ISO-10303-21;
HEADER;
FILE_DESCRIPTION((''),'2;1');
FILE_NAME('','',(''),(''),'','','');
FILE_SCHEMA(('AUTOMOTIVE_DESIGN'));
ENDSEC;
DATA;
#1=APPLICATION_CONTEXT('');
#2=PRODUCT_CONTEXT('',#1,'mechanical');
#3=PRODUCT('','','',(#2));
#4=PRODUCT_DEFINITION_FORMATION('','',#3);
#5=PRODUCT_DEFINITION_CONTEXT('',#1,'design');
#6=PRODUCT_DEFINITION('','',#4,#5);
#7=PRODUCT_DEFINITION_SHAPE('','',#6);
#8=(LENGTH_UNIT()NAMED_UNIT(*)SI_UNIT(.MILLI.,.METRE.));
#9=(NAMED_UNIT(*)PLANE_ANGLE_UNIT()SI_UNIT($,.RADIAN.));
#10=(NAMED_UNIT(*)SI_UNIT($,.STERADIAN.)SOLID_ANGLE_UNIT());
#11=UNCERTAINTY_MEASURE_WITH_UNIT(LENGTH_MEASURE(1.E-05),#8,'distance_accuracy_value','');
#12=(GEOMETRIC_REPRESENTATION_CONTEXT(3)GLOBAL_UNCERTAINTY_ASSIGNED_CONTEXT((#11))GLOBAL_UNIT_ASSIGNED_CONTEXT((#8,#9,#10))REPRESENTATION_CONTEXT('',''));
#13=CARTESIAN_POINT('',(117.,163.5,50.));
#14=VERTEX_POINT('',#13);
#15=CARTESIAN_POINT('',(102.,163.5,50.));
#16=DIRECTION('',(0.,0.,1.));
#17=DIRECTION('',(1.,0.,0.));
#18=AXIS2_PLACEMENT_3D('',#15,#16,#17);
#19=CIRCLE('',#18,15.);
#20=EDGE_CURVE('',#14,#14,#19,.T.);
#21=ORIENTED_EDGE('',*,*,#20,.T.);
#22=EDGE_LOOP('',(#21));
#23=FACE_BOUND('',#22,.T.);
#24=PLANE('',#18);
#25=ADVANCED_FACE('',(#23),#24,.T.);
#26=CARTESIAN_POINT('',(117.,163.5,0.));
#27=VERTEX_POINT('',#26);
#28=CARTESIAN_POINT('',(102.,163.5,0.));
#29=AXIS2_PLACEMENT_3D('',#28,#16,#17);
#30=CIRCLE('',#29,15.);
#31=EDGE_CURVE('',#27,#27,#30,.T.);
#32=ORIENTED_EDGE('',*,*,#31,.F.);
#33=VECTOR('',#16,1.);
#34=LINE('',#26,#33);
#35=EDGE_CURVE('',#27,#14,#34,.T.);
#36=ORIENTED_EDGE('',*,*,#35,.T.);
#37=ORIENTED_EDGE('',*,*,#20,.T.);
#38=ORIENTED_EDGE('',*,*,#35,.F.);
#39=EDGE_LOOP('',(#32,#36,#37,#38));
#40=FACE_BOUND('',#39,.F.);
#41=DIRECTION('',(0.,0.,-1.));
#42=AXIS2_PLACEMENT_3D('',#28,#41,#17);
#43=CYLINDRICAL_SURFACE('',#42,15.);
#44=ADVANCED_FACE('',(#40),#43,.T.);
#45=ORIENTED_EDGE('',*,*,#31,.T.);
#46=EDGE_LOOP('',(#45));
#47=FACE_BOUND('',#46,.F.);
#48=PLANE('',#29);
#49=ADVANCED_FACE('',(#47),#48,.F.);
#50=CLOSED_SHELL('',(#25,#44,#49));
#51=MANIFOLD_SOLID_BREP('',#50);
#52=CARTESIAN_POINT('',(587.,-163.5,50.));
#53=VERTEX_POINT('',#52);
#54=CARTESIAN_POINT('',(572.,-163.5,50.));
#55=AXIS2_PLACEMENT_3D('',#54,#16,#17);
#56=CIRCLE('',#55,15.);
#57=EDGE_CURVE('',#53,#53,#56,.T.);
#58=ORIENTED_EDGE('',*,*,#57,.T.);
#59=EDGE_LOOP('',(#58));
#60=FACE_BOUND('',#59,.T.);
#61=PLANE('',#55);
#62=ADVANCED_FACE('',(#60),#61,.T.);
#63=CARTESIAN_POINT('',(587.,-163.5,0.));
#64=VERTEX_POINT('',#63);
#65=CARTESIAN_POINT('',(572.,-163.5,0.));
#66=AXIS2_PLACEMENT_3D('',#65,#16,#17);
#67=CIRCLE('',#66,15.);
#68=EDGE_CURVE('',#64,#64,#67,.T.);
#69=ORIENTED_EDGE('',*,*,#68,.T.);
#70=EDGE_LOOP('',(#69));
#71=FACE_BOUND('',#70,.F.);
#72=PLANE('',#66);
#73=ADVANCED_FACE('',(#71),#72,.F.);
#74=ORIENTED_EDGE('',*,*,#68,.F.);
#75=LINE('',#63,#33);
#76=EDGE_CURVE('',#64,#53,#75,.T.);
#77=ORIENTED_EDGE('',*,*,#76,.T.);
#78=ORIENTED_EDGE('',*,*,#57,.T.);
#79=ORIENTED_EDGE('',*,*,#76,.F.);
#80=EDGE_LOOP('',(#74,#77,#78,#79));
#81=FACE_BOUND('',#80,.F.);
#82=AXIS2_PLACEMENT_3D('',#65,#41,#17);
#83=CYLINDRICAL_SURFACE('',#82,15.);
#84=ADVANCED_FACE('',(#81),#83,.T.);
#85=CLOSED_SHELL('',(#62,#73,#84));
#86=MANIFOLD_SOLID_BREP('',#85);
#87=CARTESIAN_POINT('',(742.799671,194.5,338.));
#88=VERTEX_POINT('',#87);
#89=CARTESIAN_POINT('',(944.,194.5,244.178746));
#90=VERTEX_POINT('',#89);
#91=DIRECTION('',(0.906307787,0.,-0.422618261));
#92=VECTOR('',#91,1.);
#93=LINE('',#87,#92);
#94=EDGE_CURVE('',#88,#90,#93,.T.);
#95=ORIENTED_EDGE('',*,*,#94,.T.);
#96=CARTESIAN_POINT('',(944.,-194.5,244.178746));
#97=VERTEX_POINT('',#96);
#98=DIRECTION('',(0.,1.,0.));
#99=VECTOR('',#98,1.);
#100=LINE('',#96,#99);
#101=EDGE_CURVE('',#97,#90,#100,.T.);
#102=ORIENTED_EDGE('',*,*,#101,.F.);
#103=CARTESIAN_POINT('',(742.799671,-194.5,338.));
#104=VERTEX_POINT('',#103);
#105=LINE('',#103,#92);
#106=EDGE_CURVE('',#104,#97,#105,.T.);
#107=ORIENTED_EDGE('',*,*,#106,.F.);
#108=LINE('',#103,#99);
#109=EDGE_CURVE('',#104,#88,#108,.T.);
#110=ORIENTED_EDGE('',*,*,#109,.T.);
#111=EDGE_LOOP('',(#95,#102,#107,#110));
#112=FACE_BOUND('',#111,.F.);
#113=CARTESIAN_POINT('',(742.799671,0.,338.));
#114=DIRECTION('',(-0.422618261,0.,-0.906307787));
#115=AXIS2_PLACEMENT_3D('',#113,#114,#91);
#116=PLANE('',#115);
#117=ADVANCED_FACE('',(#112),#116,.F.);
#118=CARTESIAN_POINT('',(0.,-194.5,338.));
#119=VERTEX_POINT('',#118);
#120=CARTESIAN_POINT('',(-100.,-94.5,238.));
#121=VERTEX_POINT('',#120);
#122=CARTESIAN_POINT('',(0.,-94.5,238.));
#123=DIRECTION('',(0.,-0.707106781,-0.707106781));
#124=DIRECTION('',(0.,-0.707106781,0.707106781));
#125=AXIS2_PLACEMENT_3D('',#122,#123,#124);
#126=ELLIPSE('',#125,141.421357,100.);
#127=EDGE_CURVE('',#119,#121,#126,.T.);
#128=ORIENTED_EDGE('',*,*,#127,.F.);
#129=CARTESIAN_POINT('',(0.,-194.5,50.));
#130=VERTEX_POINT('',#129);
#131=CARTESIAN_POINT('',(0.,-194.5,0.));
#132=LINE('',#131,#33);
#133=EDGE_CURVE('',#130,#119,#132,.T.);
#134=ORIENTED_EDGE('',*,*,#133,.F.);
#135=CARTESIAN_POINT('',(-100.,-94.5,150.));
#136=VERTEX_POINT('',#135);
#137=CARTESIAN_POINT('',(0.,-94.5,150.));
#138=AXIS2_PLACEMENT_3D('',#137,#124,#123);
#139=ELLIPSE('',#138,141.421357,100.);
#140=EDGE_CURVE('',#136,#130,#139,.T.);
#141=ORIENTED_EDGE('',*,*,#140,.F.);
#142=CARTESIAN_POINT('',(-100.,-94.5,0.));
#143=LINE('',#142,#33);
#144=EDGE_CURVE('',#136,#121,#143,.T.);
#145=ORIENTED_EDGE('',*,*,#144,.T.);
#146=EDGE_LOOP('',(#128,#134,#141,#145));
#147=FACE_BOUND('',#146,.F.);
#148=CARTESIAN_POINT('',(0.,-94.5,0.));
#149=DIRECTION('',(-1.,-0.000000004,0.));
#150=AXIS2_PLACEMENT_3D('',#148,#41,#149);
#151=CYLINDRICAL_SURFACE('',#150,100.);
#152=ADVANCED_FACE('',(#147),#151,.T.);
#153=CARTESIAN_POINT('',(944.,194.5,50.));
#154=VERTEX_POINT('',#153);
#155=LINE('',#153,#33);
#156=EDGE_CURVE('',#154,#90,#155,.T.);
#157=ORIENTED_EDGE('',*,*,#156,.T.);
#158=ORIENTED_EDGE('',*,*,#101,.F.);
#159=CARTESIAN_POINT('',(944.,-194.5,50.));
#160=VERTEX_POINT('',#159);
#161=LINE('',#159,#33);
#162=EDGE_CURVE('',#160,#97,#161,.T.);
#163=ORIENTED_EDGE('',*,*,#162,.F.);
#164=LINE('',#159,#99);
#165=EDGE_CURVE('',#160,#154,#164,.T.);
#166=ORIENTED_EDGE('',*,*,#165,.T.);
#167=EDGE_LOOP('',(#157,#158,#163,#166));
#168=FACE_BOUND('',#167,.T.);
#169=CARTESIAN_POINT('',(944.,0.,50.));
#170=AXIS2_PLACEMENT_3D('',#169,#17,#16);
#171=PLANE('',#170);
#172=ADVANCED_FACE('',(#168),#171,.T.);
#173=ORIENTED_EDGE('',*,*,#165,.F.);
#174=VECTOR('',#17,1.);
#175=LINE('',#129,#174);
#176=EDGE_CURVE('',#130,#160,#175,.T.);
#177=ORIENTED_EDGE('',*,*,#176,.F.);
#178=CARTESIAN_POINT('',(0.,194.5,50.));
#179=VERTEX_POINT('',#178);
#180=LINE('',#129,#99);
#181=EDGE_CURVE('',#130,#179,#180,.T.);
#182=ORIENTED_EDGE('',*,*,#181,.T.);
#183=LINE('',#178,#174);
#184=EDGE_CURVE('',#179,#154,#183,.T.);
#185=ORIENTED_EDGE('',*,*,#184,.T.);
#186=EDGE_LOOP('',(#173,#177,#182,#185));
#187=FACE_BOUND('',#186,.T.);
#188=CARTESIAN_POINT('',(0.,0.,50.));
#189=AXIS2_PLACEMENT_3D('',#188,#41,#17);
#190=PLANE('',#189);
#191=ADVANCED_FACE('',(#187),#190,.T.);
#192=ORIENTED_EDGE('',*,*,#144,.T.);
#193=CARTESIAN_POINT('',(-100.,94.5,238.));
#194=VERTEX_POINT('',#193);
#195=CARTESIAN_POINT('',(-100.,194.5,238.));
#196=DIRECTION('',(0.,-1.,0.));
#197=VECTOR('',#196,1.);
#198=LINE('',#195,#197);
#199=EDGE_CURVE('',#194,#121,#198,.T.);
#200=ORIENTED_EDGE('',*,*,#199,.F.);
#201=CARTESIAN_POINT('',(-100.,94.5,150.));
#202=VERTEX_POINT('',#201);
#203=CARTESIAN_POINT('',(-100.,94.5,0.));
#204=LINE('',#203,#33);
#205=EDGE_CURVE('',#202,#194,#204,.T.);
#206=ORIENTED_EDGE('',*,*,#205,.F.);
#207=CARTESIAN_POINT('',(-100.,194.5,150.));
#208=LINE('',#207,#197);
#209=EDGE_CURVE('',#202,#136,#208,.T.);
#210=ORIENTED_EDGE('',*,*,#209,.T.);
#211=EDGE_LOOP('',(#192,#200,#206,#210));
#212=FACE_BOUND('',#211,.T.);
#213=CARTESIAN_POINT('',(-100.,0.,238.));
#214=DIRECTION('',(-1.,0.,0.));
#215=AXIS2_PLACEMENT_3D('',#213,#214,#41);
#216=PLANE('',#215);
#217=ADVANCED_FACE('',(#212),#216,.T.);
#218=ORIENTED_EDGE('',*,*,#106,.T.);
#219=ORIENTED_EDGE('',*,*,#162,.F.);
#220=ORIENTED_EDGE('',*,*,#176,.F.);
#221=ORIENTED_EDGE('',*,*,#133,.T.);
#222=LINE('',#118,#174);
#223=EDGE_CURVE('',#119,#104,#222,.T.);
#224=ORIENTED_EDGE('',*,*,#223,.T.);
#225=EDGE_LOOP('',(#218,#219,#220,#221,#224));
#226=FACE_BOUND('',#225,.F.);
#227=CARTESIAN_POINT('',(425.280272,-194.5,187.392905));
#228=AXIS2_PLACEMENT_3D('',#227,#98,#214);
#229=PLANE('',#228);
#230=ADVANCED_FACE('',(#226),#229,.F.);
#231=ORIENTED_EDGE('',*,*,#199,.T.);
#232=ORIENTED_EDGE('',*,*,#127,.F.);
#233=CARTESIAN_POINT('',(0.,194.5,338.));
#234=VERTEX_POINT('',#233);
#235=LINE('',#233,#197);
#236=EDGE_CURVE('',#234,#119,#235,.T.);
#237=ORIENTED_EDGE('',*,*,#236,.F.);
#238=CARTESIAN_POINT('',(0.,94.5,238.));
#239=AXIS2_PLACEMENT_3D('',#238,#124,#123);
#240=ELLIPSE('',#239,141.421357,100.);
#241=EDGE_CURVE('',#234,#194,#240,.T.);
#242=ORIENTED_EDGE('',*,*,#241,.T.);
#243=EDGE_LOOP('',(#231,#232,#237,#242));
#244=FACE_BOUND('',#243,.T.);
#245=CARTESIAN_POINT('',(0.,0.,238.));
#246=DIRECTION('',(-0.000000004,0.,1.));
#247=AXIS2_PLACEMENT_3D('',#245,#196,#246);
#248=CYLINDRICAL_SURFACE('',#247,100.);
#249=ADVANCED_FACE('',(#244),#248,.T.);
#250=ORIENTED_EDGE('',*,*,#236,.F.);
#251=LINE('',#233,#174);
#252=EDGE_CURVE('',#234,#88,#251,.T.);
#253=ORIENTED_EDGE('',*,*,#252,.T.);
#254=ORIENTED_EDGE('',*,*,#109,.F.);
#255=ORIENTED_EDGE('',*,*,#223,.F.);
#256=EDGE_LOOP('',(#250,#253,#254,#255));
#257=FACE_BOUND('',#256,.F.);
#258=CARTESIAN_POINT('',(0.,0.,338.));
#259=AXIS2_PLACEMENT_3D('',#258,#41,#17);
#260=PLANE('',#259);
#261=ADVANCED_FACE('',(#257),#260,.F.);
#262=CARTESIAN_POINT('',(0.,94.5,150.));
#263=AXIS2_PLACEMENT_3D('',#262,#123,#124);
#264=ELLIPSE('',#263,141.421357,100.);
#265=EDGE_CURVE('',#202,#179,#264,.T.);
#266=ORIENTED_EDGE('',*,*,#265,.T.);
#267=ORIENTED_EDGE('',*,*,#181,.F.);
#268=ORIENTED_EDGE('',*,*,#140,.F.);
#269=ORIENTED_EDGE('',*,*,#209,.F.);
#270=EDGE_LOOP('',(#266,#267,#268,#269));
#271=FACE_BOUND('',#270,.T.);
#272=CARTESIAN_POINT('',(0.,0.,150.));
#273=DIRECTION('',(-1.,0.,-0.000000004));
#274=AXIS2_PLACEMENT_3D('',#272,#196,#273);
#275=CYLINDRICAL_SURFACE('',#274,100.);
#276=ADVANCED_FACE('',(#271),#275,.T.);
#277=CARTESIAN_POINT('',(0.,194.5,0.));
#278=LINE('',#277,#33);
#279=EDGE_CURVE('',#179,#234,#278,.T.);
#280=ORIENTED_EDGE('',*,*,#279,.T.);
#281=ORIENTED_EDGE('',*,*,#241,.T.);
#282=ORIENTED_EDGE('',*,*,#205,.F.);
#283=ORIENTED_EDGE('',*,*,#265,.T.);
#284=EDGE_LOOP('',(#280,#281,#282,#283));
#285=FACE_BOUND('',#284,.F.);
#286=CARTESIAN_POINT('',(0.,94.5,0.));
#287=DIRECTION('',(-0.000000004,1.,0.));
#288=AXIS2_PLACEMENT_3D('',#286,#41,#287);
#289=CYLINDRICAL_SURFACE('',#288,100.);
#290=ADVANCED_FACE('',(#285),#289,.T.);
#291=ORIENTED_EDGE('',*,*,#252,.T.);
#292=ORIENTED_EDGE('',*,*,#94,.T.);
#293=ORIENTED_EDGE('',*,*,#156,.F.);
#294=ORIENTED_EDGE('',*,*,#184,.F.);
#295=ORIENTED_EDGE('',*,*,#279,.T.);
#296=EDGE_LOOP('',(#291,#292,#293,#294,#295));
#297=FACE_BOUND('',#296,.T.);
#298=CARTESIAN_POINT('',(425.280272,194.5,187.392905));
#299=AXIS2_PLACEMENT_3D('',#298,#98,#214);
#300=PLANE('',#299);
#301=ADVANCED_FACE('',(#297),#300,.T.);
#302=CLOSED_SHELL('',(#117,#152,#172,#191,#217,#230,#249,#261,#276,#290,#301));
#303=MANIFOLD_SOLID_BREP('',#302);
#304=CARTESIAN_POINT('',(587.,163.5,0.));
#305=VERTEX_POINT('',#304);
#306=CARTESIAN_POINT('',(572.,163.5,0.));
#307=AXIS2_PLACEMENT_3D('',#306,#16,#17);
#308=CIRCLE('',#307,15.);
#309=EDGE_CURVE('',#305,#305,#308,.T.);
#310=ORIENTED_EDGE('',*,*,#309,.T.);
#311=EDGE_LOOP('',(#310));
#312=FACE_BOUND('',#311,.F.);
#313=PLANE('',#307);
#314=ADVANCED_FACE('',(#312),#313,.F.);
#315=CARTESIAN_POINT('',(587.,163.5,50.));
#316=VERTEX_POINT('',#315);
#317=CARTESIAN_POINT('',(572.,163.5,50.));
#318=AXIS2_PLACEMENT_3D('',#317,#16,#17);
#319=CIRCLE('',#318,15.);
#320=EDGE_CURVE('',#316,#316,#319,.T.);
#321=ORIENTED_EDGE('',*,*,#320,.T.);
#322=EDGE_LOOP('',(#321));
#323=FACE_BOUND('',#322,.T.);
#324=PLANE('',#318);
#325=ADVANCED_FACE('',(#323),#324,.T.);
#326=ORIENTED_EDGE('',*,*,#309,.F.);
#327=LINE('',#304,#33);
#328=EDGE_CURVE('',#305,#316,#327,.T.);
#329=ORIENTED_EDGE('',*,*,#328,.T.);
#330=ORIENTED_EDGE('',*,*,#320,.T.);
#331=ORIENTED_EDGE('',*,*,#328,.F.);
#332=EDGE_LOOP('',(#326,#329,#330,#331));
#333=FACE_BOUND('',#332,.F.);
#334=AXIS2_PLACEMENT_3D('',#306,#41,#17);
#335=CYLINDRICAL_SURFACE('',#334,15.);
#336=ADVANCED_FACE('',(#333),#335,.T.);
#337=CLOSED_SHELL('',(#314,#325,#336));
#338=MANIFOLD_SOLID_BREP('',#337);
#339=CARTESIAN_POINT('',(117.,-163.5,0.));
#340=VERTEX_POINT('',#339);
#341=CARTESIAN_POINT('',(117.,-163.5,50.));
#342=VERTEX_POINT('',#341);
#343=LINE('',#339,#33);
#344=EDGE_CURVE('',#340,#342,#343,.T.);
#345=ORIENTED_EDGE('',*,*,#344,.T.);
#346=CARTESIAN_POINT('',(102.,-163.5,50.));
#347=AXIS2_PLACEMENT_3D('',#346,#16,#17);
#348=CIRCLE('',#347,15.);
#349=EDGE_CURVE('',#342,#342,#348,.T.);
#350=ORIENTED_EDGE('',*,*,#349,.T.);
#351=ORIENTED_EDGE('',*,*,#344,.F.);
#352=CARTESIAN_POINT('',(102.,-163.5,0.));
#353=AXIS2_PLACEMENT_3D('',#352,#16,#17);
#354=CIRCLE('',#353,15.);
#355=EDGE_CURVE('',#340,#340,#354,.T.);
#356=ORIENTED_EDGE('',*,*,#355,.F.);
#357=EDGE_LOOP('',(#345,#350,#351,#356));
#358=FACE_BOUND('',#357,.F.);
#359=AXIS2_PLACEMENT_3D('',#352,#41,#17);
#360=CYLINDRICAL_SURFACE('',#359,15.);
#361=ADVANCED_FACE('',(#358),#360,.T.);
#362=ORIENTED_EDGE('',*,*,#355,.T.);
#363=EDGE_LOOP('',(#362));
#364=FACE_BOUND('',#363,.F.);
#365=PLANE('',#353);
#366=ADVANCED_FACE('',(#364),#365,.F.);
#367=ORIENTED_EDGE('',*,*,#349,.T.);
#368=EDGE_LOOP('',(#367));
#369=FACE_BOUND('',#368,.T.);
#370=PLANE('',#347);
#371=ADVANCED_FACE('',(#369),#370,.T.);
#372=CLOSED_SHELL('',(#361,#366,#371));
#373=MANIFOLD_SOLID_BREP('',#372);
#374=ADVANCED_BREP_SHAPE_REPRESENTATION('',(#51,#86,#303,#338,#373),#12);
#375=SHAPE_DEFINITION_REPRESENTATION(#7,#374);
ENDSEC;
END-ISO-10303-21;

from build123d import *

# Parameters (mm, degrees)
PAD_DEPTH       = 194.5
POCKET_DEPTH    = 338.001
COPYSKETCH003_R = 15
PAD001_DEPTH    = 50
COPYSKETCH002_R = 15
PAD002_DEPTH    = 50
COPYSKETCH004_R = 15
PAD003_DEPTH    = 50
COPYSKETCH005_R = 15
PAD004_DEPTH    = 50


with BuildPart() as main_body:
    # Sketch → Pad (new body, symmetric)
    with BuildSketch(Plane.XZ):
        with BuildLine():
            Line((0, 338), (742.799671, 338))
            Line((742.799671, 338), (944, 244.178746))
            Line((944, 50), (944, 244.178746))
            Line((0, 50), (944, 50))
            ThreePointArc((-100, 150), (-70.710678, 79.289322), (0, 50))
            Line((-100, 238), (-100, 150))
            ThreePointArc((0, 338), (-70.710678, 308.710678), (-100, 238))
        make_face()
    extrude(amount=PAD_DEPTH, both=True)

    # Sketch001 → Pocket (cut, through all)
    with BuildSketch(Plane.XY):
        with BuildLine():
            ThreePointArc((0, 194.5), (-70.710678, 165.210678), (-100, 94.5))
            Line((-100, 94.5), (-100, -94.5))
            ThreePointArc((-100, -94.5), (-70.710678, -165.210678), (0, -194.5))
            Line((0, -244.5), (0, -194.5))
            Line((-150, -244.5), (0, -244.5))
            Line((-150, 244.5), (-150, -244.5))
            Line((0, 244.5), (-150, 244.5))
            Line((0, 194.5), (0, 244.5))
        make_face()
    extrude(amount=POCKET_DEPTH, mode=Mode.SUBTRACT)


with BuildPart() as support_fd001:
    # CopySketch003 → Pad001 (new body)
    with BuildSketch(Plane.XY):
        with Locations((102, -163.5)):
            Circle(COPYSKETCH003_R)
    extrude(amount=PAD001_DEPTH)


with BuildPart() as support_fp001:
    # CopySketch002 → Pad002 (new body)
    with BuildSketch(Plane.XY):
        with Locations((102, 163.5)):
            Circle(COPYSKETCH002_R)
    extrude(amount=PAD002_DEPTH)


with BuildPart() as support_rp001:
    # CopySketch004 → Pad003 (new body)
    with BuildSketch(Plane.XY):
        with Locations((572, 163.5)):
            Circle(COPYSKETCH004_R)
    extrude(amount=PAD003_DEPTH)


with BuildPart() as support_rd001:
    # CopySketch005 → Pad004 (new body)
    with BuildSketch(Plane.XY):
        with Locations((572, -163.5)):
            Circle(COPYSKETCH005_R)
    extrude(amount=PAD004_DEPTH)


solid = Compound([main_body.part, support_fd001.part, support_fp001.part, support_rp001.part, support_rd001.part])
